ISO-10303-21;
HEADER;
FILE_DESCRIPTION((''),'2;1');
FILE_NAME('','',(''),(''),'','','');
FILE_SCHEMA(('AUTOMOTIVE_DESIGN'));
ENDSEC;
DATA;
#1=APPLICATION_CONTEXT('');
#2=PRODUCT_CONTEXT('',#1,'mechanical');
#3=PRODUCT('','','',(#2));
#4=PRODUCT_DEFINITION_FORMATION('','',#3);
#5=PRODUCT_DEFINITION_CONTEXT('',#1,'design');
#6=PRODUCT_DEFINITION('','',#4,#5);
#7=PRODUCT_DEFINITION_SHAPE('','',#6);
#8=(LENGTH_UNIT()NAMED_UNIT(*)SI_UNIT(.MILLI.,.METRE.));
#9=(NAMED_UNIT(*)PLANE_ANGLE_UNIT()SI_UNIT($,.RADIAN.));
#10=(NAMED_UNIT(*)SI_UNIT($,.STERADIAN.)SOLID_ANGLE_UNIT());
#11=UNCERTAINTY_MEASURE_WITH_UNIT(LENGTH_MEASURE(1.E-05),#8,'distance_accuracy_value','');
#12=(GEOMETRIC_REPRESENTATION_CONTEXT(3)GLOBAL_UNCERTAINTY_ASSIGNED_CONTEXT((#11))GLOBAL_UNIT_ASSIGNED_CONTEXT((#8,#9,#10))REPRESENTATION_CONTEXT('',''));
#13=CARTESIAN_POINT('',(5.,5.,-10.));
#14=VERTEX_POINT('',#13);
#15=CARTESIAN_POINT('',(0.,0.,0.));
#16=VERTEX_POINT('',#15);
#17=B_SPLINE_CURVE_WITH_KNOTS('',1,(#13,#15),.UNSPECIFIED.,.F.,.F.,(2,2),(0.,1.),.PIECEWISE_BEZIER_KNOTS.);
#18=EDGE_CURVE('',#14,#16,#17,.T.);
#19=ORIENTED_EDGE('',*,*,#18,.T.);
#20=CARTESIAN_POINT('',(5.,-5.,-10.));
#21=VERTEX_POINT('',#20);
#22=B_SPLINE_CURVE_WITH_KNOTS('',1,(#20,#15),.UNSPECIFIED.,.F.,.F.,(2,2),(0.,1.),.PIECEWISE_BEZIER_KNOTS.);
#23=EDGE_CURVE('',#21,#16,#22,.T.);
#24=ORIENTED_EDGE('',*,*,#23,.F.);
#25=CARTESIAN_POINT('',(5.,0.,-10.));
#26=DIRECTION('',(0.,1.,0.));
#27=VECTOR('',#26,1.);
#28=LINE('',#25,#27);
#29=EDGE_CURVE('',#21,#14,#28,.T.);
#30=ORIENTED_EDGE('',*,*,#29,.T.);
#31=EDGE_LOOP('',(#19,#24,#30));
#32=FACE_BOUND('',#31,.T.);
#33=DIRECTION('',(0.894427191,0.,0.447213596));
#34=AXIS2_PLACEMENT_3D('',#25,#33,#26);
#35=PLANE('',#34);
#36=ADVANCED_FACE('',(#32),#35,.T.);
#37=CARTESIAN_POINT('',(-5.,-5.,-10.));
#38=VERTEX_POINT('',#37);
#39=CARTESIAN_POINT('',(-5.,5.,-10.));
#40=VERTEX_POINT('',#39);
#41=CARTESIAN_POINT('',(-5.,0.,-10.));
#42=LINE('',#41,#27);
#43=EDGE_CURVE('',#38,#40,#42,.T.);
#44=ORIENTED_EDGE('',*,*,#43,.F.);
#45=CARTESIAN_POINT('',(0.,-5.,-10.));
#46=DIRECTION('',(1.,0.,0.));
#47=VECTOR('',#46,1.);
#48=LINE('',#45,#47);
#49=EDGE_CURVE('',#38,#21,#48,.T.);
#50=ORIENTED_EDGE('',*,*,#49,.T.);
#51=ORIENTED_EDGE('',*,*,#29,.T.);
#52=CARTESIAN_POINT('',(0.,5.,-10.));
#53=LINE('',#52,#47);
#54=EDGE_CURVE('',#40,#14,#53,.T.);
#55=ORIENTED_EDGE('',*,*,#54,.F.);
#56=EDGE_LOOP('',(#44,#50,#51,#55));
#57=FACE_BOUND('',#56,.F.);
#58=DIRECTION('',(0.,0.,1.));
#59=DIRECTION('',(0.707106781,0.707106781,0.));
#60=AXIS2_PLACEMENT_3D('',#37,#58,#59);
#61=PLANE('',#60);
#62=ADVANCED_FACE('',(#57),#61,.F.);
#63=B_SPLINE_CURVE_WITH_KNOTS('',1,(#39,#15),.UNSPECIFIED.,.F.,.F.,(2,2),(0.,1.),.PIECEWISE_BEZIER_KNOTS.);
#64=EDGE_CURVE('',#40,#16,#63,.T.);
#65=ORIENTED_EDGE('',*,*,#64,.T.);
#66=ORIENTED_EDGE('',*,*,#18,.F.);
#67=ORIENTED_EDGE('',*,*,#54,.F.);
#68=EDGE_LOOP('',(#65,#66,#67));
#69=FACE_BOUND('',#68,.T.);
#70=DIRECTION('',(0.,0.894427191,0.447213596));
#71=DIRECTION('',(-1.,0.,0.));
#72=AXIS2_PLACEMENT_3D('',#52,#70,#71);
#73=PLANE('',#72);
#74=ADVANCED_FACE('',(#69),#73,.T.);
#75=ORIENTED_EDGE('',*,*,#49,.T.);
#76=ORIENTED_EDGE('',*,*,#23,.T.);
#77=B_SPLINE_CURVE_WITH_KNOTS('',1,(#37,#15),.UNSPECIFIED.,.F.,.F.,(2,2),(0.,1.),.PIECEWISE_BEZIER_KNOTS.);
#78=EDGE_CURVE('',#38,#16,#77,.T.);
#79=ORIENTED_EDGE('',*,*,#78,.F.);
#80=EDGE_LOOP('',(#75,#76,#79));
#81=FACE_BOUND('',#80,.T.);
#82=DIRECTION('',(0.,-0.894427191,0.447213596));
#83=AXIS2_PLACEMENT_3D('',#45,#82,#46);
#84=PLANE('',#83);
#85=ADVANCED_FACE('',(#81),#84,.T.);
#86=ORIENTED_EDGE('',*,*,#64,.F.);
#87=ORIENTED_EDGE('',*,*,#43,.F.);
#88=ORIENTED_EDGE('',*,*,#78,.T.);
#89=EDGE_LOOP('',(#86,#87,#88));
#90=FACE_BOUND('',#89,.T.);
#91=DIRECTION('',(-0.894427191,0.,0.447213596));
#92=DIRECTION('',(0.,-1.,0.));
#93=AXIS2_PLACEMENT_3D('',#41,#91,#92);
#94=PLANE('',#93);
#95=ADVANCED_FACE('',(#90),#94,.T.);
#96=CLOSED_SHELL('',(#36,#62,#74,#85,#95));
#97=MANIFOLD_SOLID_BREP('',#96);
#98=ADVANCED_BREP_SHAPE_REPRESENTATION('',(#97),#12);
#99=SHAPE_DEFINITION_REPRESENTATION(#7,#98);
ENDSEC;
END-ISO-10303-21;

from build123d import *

# Parameters (mm, degrees)
F1_W = 10
F1_H = 10


with BuildPart() as f2:
    # F1 (on offset) → F2 section 0
    with BuildSketch(Plane.XY.offset(-10), mode=Mode.PRIVATE) as f2_s0:
        Rectangle(F1_W, F1_H)
    loft([f2_s0.sketch, Vertex(0, 0, 0)])


solid = f2.part
